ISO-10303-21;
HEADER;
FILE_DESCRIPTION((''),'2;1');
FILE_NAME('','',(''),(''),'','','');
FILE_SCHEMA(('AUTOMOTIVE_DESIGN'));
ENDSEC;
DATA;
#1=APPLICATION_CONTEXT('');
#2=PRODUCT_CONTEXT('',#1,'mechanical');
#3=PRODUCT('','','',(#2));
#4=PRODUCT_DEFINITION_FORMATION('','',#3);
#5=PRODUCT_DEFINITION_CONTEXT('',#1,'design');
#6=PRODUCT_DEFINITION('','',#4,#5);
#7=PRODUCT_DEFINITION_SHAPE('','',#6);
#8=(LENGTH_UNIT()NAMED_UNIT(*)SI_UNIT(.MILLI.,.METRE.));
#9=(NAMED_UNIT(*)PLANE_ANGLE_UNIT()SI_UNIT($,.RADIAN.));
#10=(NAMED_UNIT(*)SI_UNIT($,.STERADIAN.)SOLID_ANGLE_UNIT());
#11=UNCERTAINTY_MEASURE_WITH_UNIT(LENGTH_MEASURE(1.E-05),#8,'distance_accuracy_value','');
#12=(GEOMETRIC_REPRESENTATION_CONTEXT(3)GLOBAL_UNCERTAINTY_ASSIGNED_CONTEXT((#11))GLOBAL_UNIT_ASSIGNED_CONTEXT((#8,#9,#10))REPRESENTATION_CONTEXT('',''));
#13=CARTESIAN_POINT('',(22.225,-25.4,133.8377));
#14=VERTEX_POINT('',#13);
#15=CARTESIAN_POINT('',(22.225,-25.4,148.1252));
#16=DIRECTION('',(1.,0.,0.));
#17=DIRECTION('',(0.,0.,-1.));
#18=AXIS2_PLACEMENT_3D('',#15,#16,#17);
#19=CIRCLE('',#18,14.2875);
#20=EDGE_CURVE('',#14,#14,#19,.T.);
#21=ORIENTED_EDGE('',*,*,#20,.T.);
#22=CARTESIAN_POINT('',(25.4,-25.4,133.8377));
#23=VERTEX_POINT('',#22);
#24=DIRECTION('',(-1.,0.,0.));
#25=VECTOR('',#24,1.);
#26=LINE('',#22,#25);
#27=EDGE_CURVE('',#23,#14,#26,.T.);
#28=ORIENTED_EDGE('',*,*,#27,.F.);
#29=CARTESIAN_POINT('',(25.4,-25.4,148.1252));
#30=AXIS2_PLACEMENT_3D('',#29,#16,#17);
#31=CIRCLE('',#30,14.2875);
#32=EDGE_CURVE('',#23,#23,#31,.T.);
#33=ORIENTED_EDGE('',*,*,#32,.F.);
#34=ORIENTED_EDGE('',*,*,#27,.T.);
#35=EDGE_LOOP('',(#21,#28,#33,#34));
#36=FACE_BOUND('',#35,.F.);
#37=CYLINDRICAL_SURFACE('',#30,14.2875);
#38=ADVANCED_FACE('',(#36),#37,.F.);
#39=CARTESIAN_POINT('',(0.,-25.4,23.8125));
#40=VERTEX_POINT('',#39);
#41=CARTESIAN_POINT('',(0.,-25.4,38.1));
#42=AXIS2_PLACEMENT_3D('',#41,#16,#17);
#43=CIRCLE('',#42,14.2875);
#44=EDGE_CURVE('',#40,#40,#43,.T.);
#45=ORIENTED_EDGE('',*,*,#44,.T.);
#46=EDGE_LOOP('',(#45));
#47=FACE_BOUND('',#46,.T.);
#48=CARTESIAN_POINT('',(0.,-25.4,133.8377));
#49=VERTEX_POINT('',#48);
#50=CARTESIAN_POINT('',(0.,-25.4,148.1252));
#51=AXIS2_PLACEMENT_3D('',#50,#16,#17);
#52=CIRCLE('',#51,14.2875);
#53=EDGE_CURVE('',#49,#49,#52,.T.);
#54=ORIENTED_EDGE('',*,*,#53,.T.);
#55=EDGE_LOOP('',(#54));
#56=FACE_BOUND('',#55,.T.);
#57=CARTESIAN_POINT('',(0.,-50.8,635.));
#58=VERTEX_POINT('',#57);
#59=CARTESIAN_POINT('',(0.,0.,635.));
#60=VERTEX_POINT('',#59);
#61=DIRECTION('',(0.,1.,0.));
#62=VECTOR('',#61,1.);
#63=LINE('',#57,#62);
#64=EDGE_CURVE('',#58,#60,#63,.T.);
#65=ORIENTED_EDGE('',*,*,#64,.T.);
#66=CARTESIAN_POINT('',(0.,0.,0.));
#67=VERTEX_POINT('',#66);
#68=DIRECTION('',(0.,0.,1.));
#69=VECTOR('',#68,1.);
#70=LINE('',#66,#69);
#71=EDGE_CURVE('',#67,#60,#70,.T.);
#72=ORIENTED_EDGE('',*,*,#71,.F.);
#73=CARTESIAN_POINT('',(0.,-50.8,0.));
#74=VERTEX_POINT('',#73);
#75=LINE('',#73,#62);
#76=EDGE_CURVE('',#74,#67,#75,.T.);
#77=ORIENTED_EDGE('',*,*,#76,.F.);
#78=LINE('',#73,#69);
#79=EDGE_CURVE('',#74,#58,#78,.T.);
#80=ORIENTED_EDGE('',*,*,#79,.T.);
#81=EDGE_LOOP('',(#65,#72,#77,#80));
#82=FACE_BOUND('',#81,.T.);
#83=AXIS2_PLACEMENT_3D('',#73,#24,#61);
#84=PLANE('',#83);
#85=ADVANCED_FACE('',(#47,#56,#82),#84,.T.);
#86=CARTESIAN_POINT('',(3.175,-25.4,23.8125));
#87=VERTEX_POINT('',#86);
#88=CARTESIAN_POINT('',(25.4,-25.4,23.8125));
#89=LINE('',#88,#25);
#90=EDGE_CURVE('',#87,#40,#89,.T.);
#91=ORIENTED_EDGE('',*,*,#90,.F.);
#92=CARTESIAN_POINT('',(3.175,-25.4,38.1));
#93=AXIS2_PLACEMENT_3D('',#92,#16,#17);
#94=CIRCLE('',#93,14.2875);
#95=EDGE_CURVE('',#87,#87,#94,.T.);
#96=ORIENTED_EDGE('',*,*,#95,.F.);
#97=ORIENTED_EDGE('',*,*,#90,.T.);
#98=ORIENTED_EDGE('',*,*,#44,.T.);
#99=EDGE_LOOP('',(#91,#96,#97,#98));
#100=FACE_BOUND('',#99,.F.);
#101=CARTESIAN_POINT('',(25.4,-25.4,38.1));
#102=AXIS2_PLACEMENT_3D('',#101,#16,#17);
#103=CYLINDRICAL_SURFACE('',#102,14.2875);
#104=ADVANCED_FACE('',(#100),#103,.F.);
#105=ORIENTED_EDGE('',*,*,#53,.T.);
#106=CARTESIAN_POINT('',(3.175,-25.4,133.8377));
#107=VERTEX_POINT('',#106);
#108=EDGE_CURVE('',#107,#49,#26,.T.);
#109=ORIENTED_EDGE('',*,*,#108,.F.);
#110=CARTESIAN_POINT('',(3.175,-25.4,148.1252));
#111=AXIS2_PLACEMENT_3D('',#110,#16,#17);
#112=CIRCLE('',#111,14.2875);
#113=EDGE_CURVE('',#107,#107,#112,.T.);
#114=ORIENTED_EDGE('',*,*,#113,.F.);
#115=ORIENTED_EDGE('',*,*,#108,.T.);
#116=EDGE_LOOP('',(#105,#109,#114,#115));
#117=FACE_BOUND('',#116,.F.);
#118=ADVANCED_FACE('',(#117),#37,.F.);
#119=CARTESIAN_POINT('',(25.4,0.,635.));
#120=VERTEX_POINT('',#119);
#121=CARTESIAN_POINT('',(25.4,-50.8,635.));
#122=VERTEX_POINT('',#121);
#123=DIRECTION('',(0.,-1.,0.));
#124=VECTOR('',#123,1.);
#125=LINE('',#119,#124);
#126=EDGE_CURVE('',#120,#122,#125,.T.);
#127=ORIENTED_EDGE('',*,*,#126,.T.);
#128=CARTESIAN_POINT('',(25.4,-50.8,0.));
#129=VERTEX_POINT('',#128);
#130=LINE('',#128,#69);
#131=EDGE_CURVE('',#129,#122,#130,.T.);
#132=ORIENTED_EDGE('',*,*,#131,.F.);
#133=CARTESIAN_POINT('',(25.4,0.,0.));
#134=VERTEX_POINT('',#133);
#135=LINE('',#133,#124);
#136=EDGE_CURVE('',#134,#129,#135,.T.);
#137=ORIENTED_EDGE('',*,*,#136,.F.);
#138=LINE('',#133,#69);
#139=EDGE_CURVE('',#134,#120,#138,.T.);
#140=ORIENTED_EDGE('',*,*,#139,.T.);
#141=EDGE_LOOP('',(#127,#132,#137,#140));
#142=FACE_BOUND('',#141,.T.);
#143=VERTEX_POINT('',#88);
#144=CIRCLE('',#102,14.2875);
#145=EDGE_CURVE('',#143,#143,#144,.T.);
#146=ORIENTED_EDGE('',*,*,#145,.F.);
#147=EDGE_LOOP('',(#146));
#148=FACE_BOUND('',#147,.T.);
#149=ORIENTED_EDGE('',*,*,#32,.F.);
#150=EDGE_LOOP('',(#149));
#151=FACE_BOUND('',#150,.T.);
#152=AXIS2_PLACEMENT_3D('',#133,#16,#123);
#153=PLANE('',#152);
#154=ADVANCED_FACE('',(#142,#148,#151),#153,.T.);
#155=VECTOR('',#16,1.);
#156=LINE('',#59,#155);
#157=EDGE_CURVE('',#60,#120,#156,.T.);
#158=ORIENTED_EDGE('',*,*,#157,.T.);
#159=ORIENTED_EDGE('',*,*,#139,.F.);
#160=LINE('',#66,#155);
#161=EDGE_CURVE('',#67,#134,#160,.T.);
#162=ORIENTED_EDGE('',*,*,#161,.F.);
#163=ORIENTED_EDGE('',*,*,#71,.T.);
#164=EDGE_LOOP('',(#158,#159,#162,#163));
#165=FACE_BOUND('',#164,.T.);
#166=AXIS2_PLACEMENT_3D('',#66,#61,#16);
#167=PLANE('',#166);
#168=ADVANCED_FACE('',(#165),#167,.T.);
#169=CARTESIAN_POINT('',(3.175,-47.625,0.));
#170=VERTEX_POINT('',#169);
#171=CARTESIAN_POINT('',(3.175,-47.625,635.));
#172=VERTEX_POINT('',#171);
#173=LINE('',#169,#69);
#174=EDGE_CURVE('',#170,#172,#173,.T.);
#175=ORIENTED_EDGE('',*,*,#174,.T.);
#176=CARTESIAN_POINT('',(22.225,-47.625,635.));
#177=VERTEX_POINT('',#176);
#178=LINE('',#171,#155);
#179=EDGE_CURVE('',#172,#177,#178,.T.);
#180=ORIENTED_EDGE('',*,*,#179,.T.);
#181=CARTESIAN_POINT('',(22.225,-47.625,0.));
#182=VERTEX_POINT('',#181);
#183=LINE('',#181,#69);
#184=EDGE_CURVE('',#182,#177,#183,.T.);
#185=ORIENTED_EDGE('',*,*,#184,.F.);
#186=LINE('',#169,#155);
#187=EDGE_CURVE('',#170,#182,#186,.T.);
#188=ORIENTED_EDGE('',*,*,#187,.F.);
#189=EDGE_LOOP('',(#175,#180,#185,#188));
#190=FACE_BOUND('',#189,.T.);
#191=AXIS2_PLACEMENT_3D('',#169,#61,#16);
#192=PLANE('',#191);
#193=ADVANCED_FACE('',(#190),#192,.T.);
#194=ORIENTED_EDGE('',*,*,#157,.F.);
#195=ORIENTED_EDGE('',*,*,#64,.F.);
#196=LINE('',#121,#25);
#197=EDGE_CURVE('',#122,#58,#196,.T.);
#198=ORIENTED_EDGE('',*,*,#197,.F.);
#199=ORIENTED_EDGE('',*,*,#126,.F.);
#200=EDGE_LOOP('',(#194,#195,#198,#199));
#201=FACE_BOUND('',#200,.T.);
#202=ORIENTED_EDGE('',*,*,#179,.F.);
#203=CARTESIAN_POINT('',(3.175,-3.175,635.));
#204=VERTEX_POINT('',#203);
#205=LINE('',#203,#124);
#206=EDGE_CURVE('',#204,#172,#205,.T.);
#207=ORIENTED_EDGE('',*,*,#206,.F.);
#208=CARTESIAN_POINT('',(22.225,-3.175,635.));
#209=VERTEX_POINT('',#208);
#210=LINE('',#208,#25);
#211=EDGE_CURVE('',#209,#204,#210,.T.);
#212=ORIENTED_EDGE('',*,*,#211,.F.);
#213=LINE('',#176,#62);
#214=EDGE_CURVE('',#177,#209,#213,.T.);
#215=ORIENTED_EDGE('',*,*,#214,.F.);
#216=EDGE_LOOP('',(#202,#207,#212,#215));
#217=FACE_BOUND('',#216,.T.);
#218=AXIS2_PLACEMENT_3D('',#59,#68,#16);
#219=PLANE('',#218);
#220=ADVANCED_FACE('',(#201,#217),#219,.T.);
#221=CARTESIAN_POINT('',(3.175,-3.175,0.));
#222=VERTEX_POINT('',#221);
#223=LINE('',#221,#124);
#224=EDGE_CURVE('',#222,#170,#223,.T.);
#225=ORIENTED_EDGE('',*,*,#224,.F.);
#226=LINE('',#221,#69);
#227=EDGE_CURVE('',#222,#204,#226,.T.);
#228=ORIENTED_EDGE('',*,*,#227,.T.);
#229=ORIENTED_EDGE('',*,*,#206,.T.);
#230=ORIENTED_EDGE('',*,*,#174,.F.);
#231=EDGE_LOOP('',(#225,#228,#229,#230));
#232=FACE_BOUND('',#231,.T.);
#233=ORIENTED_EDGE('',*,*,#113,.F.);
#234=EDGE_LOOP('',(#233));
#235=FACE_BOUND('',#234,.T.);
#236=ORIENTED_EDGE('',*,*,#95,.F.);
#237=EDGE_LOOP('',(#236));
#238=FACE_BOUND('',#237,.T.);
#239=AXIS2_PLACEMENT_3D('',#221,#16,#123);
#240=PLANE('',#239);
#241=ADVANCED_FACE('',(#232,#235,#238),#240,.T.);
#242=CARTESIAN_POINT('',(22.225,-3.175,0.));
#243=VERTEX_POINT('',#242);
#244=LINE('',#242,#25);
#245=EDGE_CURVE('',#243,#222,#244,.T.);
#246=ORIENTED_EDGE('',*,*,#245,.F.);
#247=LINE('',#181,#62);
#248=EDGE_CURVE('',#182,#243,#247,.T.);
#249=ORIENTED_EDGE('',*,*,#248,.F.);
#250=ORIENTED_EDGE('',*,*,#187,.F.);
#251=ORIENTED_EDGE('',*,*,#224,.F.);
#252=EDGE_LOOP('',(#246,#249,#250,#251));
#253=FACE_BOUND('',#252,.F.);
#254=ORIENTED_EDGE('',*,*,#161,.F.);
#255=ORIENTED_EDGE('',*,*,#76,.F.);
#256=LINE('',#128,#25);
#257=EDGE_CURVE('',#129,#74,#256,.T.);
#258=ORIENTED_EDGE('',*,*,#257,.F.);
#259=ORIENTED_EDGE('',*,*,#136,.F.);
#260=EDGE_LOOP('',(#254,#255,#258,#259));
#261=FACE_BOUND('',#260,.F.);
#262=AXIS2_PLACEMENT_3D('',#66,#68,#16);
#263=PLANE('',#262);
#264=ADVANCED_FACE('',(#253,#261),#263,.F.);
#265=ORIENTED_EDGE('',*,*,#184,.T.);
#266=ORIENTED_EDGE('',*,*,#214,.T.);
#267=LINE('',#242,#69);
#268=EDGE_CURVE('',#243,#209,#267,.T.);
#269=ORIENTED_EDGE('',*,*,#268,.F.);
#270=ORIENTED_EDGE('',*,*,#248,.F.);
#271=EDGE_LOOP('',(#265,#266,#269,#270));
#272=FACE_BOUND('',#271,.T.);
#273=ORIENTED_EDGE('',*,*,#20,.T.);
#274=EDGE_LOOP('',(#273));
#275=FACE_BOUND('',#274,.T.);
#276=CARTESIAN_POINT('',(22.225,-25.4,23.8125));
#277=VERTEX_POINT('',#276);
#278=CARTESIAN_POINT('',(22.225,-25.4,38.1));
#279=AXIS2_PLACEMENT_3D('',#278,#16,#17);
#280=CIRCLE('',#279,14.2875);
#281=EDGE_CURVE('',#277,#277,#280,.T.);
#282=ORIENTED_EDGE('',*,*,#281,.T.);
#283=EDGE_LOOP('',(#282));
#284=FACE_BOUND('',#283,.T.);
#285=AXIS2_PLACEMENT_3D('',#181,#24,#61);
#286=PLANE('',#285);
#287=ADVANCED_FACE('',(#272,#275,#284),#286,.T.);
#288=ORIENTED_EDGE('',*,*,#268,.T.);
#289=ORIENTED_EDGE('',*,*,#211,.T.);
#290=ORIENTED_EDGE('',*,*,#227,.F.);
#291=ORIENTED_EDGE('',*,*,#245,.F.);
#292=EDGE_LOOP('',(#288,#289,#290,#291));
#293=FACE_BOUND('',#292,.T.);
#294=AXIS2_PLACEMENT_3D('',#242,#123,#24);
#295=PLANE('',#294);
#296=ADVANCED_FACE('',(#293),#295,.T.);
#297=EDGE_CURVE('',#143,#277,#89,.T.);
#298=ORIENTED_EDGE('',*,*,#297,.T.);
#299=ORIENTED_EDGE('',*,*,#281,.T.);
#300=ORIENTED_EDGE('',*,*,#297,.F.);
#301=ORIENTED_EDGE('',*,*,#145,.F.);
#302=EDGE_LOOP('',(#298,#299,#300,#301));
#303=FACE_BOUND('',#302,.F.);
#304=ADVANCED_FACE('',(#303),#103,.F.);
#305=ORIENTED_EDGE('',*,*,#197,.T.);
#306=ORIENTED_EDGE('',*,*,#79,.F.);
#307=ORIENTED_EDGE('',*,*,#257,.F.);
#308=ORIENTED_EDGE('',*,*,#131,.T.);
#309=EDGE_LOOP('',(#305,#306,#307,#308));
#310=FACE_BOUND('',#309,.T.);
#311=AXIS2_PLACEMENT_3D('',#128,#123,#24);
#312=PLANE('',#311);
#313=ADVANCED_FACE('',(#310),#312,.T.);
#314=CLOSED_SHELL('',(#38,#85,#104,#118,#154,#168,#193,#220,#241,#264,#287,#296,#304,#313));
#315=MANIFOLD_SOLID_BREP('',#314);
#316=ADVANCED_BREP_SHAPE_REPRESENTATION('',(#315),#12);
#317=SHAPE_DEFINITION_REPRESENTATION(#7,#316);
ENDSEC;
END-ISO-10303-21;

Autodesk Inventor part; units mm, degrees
ref_plane "YZ Plane" through (0, 0, 0) normal (1, 0, 0) x (0, 1, 0)
ref_plane "XZ Plane" through (0, 0, 0) normal (0, 1, 0) x (-1, 0, 0)
ref_plane "XY Plane" through (0, 0, 0) normal (0, 0, 1) x (1, 0, 0)
sketch "Sketch1" plane through (0, 0, 0) normal (0, 0, 1) x (1, 0, 0)
  line L0 (0, 0) -> (25.4, 0)
  line L1 (25.4, 0) -> (25.4, -50.8)
  line L2 (25.4, -50.8) -> (0, -50.8)
  line L3 (0, -50.8) -> (0, 0)
  line L4 (22.225, -3.175) -> (3.175, -3.175)
  line L5 (3.175, -3.175) -> (3.175, -47.625)
  line L6 (3.175, -47.625) -> (22.225, -47.625)
  line L7 (22.225, -47.625) -> (22.225, -3.175)
  dimension "d0" = 25.4
  dimension "d1" = 50.8
  dimension "d2" = 3.175
extrude "Extrusion1" add sketch "Sketch1" along normal blind 635
sketch "Sketch2" plane through (25.4, -50.8, 0) normal (1, 0, 0) x (0, 0, -1)
  circle A0 centre (-38.1, 25.4) radius 14.2875
  line L0 (0, 50.8) -> (0, 0) projected
  line L1 (0, 50.8) -> (-635, 50.8) projected
  circle A1 centre (-148.1252, 25.4) radius 14.2875
  dimension "d5" = 38.1
  dimension "d6" = 25.4
  dimension "d7" = 28.575
  dimension "d8" = 110.0252
  dimension "d9" = 28.575
  dimension "d10" = 25.4
extrude "Extrusion2" cut sketch "Sketch2" against normal blind 25.4
properties part number "DRL Tall"
